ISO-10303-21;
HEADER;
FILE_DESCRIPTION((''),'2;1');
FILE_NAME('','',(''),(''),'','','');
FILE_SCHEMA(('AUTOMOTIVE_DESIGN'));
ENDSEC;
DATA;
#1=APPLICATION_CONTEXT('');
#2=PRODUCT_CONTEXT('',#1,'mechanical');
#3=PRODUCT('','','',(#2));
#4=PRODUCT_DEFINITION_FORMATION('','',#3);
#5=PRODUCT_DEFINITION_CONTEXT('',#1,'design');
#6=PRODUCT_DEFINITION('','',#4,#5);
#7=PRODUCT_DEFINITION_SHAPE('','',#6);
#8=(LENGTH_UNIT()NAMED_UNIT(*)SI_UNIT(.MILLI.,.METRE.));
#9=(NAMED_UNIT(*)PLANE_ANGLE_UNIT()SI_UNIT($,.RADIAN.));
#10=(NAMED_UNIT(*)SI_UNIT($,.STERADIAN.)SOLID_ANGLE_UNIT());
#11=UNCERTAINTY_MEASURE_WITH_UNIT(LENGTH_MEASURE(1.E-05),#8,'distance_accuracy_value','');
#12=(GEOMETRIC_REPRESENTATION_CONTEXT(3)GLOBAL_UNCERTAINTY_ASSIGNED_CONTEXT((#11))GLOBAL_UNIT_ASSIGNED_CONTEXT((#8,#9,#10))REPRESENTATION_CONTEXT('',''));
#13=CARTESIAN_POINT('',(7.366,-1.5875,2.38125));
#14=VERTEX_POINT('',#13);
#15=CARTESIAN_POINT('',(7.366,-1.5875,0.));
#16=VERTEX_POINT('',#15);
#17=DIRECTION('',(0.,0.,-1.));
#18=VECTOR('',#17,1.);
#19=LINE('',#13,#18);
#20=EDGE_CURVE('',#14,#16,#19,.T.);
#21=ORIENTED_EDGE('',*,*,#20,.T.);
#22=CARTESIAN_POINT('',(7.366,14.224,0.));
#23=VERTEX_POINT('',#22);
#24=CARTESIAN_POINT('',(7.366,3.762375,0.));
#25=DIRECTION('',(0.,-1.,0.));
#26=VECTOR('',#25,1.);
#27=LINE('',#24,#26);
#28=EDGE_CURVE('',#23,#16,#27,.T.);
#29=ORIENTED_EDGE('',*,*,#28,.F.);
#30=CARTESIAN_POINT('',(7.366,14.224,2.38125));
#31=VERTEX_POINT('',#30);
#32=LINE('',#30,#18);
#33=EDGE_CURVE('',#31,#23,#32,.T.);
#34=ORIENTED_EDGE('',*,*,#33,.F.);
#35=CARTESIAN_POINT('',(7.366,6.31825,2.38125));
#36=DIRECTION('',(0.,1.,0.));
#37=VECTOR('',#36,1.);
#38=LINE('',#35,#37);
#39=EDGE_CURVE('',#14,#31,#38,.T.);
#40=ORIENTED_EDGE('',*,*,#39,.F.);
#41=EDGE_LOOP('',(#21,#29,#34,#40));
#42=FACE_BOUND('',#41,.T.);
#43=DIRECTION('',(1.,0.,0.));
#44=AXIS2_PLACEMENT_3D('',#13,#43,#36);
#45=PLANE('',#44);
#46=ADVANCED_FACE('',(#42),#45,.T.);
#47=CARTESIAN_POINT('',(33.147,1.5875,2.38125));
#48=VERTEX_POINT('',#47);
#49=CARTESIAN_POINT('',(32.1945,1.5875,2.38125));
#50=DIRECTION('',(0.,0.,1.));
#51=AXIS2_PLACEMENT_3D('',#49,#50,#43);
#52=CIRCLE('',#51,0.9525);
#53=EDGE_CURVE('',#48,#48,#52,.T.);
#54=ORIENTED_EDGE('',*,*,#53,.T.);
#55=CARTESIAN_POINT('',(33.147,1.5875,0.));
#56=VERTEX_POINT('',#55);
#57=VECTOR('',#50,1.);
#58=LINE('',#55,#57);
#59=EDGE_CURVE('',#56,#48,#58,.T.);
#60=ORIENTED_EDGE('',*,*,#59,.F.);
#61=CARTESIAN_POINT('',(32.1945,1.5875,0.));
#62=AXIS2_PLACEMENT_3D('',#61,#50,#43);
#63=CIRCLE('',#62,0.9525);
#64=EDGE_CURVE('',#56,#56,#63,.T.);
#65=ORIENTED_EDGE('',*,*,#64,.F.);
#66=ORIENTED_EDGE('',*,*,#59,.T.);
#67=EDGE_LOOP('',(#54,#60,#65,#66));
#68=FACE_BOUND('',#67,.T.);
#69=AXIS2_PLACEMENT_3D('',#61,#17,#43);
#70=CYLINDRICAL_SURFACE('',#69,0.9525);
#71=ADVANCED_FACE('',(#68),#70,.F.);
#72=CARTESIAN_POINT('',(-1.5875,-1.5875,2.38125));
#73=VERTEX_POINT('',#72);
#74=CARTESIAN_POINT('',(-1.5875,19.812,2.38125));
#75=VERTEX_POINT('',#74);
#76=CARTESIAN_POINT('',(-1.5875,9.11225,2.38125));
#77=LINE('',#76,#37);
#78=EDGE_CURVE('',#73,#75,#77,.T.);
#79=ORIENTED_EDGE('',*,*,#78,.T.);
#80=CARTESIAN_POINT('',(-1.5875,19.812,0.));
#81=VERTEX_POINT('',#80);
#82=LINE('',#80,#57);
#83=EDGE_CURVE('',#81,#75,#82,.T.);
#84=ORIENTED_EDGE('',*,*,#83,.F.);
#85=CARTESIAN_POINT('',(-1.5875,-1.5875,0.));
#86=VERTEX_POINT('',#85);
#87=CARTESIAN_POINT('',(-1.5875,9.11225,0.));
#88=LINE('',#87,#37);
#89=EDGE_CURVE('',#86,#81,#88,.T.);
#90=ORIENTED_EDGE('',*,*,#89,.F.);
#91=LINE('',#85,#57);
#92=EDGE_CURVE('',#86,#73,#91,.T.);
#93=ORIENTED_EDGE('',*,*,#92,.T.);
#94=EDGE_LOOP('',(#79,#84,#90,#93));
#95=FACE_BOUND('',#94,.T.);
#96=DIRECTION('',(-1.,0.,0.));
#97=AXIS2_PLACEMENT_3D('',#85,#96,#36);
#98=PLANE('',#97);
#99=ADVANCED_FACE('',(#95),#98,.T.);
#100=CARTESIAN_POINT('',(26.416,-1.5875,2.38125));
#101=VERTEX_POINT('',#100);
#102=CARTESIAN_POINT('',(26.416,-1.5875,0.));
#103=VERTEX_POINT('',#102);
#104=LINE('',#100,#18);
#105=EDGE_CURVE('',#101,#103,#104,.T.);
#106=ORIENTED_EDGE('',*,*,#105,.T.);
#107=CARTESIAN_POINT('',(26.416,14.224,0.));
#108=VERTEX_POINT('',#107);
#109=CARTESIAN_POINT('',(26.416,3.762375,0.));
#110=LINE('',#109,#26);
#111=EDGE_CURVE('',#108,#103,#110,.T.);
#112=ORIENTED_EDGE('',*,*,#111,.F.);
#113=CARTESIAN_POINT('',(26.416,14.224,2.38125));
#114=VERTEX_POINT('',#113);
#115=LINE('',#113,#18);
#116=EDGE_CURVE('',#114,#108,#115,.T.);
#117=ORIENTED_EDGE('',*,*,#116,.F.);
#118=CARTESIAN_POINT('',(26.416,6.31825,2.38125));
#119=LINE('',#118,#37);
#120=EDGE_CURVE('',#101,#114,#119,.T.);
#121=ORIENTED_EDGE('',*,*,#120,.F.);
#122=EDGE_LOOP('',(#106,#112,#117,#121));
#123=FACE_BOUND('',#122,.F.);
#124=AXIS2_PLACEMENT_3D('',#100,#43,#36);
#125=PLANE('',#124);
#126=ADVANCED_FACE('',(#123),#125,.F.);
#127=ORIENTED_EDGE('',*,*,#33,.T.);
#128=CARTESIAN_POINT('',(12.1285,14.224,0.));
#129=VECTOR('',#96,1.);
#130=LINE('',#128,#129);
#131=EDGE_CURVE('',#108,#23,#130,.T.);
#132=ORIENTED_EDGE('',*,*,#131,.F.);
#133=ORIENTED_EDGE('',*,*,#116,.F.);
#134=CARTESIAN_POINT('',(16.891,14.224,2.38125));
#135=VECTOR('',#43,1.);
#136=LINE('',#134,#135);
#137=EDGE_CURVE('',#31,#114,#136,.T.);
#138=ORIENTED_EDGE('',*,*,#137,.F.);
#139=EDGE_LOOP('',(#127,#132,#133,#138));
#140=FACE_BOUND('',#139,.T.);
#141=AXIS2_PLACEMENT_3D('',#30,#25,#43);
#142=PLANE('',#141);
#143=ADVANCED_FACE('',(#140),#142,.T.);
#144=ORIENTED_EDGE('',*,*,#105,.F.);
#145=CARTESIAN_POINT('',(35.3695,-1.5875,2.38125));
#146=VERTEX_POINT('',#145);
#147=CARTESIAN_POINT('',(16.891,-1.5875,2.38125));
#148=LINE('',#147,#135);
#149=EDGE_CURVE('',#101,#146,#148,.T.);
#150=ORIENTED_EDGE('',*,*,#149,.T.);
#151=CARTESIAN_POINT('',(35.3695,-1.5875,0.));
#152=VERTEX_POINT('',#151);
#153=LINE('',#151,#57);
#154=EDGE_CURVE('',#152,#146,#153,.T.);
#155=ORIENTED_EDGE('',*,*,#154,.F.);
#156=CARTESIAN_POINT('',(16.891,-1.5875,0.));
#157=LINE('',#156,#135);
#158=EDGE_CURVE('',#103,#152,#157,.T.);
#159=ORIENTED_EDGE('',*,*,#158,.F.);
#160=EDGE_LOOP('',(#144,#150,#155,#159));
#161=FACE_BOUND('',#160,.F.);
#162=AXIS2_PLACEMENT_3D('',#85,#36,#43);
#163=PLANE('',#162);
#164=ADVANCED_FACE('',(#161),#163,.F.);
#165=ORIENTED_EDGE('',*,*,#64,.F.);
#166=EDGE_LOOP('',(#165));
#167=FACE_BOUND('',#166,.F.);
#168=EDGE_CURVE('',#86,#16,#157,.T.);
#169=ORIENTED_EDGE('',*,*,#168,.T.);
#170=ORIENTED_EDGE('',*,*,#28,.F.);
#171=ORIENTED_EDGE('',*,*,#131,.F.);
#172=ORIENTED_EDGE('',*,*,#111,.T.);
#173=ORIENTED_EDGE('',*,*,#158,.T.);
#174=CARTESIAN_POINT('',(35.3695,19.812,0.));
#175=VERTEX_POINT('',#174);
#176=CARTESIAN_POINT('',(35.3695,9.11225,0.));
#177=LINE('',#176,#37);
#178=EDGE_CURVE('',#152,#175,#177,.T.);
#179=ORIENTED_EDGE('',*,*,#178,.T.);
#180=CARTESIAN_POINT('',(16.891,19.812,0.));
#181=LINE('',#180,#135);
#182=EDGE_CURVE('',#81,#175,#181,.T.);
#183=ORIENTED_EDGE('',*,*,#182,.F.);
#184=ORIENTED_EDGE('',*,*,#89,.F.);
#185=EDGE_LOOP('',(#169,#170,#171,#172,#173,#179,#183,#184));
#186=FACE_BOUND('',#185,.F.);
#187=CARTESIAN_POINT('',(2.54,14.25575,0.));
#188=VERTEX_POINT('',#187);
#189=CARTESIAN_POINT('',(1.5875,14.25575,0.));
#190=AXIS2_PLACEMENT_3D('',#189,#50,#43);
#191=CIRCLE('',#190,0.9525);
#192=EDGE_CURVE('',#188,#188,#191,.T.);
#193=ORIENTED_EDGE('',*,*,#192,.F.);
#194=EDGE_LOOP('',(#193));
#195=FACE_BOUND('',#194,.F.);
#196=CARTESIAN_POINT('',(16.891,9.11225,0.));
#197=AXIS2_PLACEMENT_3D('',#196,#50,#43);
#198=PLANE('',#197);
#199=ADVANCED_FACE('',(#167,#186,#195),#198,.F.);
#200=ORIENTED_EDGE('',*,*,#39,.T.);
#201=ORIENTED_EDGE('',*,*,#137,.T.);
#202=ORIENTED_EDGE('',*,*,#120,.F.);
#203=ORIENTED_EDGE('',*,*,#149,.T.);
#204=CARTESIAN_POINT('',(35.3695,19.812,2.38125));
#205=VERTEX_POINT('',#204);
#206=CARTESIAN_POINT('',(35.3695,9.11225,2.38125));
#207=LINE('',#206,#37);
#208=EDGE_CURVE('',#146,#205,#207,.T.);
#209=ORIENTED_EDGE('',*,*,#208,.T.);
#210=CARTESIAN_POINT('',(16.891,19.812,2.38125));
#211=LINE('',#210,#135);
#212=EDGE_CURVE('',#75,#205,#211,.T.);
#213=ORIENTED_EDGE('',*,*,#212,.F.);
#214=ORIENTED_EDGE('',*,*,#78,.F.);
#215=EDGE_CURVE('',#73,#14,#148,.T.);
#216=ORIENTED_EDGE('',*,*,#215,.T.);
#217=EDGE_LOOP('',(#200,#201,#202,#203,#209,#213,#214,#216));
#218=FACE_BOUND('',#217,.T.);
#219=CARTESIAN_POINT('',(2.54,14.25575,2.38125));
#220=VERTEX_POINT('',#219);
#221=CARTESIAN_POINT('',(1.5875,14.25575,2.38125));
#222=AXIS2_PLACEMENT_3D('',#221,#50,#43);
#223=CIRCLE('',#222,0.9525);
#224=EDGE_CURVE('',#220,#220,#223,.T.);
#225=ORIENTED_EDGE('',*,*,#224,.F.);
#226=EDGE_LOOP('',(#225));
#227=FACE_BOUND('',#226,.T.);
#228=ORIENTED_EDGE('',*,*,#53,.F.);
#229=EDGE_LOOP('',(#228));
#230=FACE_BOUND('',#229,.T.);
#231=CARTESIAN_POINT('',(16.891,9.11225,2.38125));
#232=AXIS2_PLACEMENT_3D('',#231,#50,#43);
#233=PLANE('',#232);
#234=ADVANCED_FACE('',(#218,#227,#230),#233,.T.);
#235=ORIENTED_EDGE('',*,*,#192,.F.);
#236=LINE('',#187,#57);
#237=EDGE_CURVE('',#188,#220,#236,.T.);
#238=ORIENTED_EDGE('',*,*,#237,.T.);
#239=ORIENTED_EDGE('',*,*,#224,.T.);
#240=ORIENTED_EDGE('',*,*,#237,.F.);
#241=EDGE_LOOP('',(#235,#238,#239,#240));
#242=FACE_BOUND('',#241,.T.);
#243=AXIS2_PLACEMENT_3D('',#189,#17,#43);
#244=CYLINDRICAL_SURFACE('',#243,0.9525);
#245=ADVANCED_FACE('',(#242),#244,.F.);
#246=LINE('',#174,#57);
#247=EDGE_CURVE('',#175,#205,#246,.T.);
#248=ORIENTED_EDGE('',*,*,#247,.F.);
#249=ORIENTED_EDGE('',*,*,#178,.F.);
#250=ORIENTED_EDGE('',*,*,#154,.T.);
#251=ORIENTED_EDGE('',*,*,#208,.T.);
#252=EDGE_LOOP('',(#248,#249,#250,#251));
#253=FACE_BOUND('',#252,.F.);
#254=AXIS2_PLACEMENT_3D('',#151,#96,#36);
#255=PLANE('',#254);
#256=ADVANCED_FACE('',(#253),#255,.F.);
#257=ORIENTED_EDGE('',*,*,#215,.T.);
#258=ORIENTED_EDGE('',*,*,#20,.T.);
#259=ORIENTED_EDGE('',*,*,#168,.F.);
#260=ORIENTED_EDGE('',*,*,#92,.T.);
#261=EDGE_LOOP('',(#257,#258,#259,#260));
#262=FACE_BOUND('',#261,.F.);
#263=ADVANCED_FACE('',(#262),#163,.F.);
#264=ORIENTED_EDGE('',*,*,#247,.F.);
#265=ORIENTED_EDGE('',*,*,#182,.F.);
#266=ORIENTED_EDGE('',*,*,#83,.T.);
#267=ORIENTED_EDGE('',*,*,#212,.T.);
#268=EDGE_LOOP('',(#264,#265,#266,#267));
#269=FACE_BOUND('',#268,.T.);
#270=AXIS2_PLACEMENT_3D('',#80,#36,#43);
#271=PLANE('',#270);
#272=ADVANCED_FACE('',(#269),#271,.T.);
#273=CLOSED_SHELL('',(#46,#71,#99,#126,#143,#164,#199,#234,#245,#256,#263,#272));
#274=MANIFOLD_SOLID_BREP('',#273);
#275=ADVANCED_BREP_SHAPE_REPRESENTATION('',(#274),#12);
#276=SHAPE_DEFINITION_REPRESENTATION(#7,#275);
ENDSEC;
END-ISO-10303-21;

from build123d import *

# Parameters (mm, degrees)
SKETCH1_W           = 36.957
SKETCH1_H           = 21.3995
SKETCH1_R           = 0.9525
BOSS_EXTRUDE1_DEPTH = 2.38125
CUT_EXTRUDE1_REACH  = 4.381
SKETCH2_W           = 19.05
SKETCH2_H           = 15.8115


with BuildPart() as part:
    # Sketch1 → Boss-Extrude1 (new body)
    with BuildSketch(Plane.XY):
        with Locations((16.891, 9.11225)):
            Rectangle(SKETCH1_W, SKETCH1_H)
        with Locations((1.5875, 14.25575)):
            Circle(SKETCH1_R, mode=Mode.SUBTRACT)
        with Locations((32.1945, 1.5875)):
            Circle(SKETCH1_R, mode=Mode.SUBTRACT)
    extrude(amount=BOSS_EXTRUDE1_DEPTH)

    # Sketch2 → Cut-Extrude1 (cut, up to next)
    with BuildSketch(Plane.XY.offset(2.38125), mode=Mode.PRIVATE) as cut_extrude1_sk1:
        with Locations((16.891, 6.31825)):
            Rectangle(SKETCH2_W, SKETCH2_H)
    cut_extrude1_tool1 = extrude(cut_extrude1_sk1.sketch, amount=-CUT_EXTRUDE1_REACH, mode=Mode.PRIVATE) & part.part
    add(cut_extrude1_tool1.solids().sort_by_distance((16.891, 6.31825, 2.38125))[0], mode=Mode.SUBTRACT)


solid = part.part
